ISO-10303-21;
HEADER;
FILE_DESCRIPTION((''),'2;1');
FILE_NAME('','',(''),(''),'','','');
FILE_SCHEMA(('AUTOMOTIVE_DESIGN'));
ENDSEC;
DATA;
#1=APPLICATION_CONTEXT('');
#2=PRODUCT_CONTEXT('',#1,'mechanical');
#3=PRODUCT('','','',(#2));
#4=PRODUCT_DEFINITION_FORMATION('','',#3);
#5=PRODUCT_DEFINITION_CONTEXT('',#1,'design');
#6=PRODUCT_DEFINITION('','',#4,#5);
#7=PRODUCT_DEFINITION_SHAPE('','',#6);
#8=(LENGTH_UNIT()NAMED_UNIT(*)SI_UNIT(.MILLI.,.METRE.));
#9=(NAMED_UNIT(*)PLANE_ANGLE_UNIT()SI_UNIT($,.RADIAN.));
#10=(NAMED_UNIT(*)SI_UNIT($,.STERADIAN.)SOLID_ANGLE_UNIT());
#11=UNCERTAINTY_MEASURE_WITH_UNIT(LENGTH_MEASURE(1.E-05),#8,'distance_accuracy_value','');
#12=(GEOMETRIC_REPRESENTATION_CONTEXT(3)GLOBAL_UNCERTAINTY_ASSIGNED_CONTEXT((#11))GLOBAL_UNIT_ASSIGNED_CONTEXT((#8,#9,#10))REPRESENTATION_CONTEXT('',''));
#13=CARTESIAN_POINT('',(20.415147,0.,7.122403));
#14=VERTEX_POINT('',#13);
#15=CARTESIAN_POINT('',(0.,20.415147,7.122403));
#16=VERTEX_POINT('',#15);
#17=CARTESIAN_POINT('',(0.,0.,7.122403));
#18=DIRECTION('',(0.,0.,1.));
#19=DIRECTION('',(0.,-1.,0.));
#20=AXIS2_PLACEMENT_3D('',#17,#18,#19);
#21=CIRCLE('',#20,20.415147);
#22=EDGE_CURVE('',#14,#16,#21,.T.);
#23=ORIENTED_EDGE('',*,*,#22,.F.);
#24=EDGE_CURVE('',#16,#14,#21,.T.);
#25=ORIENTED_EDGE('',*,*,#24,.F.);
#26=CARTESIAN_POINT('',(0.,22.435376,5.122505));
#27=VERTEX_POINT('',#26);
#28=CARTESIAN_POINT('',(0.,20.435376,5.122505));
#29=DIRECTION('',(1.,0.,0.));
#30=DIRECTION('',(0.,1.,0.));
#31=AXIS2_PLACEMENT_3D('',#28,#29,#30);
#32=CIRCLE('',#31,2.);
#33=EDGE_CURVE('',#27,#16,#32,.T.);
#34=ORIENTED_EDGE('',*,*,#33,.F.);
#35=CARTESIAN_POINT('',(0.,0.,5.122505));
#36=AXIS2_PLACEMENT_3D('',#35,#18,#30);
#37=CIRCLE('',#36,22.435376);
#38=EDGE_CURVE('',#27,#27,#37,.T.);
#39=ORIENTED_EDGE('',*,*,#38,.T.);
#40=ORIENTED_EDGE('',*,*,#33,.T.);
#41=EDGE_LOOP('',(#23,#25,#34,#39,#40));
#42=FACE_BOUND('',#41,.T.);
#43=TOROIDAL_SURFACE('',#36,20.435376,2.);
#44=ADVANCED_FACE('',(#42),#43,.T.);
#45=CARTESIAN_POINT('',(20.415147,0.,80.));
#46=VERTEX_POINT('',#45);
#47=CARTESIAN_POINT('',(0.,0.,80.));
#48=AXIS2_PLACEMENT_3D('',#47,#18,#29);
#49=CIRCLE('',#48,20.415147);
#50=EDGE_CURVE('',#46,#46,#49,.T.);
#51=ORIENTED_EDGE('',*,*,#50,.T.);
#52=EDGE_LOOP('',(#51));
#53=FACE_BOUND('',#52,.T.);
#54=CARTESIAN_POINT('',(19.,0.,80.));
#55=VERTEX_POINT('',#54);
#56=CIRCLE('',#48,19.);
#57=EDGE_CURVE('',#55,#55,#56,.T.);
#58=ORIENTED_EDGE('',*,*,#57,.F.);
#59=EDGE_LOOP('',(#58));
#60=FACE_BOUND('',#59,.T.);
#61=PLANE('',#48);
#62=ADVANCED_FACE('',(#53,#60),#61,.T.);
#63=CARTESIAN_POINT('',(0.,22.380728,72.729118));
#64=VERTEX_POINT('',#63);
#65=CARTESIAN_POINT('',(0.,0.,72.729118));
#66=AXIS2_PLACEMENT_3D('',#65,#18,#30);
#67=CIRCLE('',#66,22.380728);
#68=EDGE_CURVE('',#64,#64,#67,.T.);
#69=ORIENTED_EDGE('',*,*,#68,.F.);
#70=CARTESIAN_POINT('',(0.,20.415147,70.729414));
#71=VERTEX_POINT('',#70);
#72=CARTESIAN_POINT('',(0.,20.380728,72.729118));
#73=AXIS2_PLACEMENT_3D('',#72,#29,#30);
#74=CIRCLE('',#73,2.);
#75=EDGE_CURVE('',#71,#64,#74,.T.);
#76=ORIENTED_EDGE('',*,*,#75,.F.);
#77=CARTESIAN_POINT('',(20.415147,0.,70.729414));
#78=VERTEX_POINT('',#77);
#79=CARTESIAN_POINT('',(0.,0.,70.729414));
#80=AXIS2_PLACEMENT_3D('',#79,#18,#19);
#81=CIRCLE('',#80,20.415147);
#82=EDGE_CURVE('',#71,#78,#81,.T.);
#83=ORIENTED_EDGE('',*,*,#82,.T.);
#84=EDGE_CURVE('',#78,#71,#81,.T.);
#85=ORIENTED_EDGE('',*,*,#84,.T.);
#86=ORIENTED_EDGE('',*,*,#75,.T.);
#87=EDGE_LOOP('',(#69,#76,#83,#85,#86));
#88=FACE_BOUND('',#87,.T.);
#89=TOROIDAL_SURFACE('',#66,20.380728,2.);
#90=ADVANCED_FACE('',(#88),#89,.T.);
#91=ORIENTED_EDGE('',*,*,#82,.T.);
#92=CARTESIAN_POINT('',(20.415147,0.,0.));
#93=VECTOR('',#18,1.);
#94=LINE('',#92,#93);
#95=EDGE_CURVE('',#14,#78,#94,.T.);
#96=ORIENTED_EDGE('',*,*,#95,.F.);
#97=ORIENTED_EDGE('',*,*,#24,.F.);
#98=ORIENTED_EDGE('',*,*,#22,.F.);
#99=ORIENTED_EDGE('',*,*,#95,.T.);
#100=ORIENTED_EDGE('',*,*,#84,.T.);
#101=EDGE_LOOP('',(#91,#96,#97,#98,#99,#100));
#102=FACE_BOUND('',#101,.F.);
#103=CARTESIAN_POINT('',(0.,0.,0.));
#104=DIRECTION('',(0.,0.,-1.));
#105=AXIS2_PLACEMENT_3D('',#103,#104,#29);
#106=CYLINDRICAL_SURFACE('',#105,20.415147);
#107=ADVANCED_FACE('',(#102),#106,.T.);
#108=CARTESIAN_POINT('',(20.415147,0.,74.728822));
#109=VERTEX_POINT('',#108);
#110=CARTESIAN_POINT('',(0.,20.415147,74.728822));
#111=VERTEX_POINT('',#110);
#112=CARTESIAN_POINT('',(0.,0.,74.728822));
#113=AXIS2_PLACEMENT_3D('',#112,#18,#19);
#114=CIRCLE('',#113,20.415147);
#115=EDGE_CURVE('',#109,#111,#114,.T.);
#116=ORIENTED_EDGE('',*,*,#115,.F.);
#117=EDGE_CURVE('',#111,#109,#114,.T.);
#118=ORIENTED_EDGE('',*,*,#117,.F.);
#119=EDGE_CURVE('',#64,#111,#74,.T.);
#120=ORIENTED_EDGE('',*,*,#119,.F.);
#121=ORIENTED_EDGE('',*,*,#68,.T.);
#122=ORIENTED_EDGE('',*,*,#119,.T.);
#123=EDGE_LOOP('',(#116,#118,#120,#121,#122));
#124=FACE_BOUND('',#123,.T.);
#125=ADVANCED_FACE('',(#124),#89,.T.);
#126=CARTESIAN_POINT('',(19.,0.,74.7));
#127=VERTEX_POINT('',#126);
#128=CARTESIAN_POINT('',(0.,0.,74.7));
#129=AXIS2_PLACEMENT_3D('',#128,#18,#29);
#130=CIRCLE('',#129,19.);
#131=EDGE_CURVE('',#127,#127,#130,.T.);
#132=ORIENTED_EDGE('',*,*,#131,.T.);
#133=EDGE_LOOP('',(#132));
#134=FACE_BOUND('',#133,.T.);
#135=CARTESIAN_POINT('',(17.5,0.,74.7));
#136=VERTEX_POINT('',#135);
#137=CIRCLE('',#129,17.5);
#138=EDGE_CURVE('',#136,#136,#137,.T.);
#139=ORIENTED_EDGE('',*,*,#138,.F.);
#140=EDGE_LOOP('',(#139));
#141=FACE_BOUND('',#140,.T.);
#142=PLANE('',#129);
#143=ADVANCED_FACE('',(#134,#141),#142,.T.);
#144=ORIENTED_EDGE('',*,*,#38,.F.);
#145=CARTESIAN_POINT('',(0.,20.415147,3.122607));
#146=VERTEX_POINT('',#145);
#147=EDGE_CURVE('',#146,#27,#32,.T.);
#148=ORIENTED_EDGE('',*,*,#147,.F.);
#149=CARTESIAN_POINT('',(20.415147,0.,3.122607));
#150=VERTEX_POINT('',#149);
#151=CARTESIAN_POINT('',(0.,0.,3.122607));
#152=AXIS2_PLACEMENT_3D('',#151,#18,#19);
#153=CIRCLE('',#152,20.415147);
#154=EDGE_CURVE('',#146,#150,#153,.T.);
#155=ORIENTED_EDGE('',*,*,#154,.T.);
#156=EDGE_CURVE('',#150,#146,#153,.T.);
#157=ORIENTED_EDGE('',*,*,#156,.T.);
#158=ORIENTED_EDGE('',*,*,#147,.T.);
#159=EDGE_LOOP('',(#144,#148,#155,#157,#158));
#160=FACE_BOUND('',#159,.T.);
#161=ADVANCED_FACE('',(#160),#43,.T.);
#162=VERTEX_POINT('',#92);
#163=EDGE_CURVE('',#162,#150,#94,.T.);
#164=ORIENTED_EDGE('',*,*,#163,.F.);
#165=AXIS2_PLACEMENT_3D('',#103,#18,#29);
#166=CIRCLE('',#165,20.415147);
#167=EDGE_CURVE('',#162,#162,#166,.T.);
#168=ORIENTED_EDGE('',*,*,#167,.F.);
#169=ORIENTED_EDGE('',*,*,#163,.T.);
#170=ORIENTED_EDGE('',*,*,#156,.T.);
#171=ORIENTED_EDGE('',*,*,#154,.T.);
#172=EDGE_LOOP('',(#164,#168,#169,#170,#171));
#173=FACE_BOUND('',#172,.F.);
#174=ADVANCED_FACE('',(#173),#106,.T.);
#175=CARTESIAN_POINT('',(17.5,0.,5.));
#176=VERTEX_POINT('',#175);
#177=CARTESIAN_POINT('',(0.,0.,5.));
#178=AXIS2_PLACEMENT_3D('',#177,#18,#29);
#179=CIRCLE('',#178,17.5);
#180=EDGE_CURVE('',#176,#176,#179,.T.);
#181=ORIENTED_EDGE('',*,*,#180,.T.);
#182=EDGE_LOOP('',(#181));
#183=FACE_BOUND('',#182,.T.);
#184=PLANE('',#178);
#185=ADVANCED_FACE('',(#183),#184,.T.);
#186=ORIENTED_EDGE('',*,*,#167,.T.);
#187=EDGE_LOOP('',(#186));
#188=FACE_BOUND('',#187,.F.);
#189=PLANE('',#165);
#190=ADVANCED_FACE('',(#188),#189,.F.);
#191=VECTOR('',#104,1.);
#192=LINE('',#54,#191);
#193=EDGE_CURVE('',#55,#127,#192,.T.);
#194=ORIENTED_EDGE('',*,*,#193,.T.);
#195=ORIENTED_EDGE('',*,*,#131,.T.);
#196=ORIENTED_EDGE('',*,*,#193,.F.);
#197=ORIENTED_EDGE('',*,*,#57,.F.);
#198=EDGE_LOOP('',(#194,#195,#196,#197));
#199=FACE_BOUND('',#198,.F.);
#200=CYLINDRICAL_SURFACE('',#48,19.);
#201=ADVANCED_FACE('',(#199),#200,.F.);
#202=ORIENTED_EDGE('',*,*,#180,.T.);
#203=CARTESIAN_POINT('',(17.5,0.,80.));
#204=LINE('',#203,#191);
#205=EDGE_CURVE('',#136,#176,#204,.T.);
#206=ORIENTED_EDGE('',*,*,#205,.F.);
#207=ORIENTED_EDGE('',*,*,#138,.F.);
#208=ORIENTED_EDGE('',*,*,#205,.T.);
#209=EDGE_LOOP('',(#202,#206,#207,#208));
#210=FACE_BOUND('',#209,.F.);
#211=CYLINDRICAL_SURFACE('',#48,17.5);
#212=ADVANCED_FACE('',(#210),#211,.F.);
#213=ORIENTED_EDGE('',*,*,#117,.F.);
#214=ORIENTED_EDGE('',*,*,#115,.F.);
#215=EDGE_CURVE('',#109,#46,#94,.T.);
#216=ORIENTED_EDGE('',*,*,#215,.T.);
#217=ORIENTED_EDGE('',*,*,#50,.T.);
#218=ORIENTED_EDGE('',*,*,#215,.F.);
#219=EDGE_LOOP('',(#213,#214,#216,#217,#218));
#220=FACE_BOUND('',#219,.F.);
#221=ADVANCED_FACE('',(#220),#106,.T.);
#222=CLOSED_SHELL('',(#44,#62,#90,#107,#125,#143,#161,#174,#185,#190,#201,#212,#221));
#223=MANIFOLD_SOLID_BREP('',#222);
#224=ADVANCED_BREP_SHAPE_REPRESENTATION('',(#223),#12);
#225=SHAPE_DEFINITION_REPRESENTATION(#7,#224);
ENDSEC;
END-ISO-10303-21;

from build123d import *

# Parameters (mm, degrees)
F0_R     = 20.415147
F1_DEPTH = 80
F2_R     = 17.5
F3_DEPTH = 75
F4_R     = 19
F5_DEPTH = 5.3
F6_R     = 2


with BuildPart() as f1:
    # F0 (on Top) → F1 (new body)
    with BuildSketch(Plane.XY):
        Circle(F0_R)
    extrude(amount=F1_DEPTH)

    # F2 (on face) → F3 (cut)
    with BuildSketch(Plane.XY.offset(80)):
        Circle(F2_R)
    extrude(amount=-F3_DEPTH, mode=Mode.SUBTRACT)

    # F4 (on face) → F5 (cut)
    with BuildSketch(Plane.XY.offset(80)):
        Circle(F4_R)
    extrude(amount=-F5_DEPTH, mode=Mode.SUBTRACT)

    # F6 (on Right) → F7 (revolve)
    with BuildSketch(Plane.YZ):
        with Locations((20.380728, 72.729118)):
            Circle(F6_R)
        with Locations((20.435376, 5.122505)):
            Circle(F6_R)
    revolve(axis=Axis((0, 0, 42.480822), (0, 0, 1)))


solid = f1.part
